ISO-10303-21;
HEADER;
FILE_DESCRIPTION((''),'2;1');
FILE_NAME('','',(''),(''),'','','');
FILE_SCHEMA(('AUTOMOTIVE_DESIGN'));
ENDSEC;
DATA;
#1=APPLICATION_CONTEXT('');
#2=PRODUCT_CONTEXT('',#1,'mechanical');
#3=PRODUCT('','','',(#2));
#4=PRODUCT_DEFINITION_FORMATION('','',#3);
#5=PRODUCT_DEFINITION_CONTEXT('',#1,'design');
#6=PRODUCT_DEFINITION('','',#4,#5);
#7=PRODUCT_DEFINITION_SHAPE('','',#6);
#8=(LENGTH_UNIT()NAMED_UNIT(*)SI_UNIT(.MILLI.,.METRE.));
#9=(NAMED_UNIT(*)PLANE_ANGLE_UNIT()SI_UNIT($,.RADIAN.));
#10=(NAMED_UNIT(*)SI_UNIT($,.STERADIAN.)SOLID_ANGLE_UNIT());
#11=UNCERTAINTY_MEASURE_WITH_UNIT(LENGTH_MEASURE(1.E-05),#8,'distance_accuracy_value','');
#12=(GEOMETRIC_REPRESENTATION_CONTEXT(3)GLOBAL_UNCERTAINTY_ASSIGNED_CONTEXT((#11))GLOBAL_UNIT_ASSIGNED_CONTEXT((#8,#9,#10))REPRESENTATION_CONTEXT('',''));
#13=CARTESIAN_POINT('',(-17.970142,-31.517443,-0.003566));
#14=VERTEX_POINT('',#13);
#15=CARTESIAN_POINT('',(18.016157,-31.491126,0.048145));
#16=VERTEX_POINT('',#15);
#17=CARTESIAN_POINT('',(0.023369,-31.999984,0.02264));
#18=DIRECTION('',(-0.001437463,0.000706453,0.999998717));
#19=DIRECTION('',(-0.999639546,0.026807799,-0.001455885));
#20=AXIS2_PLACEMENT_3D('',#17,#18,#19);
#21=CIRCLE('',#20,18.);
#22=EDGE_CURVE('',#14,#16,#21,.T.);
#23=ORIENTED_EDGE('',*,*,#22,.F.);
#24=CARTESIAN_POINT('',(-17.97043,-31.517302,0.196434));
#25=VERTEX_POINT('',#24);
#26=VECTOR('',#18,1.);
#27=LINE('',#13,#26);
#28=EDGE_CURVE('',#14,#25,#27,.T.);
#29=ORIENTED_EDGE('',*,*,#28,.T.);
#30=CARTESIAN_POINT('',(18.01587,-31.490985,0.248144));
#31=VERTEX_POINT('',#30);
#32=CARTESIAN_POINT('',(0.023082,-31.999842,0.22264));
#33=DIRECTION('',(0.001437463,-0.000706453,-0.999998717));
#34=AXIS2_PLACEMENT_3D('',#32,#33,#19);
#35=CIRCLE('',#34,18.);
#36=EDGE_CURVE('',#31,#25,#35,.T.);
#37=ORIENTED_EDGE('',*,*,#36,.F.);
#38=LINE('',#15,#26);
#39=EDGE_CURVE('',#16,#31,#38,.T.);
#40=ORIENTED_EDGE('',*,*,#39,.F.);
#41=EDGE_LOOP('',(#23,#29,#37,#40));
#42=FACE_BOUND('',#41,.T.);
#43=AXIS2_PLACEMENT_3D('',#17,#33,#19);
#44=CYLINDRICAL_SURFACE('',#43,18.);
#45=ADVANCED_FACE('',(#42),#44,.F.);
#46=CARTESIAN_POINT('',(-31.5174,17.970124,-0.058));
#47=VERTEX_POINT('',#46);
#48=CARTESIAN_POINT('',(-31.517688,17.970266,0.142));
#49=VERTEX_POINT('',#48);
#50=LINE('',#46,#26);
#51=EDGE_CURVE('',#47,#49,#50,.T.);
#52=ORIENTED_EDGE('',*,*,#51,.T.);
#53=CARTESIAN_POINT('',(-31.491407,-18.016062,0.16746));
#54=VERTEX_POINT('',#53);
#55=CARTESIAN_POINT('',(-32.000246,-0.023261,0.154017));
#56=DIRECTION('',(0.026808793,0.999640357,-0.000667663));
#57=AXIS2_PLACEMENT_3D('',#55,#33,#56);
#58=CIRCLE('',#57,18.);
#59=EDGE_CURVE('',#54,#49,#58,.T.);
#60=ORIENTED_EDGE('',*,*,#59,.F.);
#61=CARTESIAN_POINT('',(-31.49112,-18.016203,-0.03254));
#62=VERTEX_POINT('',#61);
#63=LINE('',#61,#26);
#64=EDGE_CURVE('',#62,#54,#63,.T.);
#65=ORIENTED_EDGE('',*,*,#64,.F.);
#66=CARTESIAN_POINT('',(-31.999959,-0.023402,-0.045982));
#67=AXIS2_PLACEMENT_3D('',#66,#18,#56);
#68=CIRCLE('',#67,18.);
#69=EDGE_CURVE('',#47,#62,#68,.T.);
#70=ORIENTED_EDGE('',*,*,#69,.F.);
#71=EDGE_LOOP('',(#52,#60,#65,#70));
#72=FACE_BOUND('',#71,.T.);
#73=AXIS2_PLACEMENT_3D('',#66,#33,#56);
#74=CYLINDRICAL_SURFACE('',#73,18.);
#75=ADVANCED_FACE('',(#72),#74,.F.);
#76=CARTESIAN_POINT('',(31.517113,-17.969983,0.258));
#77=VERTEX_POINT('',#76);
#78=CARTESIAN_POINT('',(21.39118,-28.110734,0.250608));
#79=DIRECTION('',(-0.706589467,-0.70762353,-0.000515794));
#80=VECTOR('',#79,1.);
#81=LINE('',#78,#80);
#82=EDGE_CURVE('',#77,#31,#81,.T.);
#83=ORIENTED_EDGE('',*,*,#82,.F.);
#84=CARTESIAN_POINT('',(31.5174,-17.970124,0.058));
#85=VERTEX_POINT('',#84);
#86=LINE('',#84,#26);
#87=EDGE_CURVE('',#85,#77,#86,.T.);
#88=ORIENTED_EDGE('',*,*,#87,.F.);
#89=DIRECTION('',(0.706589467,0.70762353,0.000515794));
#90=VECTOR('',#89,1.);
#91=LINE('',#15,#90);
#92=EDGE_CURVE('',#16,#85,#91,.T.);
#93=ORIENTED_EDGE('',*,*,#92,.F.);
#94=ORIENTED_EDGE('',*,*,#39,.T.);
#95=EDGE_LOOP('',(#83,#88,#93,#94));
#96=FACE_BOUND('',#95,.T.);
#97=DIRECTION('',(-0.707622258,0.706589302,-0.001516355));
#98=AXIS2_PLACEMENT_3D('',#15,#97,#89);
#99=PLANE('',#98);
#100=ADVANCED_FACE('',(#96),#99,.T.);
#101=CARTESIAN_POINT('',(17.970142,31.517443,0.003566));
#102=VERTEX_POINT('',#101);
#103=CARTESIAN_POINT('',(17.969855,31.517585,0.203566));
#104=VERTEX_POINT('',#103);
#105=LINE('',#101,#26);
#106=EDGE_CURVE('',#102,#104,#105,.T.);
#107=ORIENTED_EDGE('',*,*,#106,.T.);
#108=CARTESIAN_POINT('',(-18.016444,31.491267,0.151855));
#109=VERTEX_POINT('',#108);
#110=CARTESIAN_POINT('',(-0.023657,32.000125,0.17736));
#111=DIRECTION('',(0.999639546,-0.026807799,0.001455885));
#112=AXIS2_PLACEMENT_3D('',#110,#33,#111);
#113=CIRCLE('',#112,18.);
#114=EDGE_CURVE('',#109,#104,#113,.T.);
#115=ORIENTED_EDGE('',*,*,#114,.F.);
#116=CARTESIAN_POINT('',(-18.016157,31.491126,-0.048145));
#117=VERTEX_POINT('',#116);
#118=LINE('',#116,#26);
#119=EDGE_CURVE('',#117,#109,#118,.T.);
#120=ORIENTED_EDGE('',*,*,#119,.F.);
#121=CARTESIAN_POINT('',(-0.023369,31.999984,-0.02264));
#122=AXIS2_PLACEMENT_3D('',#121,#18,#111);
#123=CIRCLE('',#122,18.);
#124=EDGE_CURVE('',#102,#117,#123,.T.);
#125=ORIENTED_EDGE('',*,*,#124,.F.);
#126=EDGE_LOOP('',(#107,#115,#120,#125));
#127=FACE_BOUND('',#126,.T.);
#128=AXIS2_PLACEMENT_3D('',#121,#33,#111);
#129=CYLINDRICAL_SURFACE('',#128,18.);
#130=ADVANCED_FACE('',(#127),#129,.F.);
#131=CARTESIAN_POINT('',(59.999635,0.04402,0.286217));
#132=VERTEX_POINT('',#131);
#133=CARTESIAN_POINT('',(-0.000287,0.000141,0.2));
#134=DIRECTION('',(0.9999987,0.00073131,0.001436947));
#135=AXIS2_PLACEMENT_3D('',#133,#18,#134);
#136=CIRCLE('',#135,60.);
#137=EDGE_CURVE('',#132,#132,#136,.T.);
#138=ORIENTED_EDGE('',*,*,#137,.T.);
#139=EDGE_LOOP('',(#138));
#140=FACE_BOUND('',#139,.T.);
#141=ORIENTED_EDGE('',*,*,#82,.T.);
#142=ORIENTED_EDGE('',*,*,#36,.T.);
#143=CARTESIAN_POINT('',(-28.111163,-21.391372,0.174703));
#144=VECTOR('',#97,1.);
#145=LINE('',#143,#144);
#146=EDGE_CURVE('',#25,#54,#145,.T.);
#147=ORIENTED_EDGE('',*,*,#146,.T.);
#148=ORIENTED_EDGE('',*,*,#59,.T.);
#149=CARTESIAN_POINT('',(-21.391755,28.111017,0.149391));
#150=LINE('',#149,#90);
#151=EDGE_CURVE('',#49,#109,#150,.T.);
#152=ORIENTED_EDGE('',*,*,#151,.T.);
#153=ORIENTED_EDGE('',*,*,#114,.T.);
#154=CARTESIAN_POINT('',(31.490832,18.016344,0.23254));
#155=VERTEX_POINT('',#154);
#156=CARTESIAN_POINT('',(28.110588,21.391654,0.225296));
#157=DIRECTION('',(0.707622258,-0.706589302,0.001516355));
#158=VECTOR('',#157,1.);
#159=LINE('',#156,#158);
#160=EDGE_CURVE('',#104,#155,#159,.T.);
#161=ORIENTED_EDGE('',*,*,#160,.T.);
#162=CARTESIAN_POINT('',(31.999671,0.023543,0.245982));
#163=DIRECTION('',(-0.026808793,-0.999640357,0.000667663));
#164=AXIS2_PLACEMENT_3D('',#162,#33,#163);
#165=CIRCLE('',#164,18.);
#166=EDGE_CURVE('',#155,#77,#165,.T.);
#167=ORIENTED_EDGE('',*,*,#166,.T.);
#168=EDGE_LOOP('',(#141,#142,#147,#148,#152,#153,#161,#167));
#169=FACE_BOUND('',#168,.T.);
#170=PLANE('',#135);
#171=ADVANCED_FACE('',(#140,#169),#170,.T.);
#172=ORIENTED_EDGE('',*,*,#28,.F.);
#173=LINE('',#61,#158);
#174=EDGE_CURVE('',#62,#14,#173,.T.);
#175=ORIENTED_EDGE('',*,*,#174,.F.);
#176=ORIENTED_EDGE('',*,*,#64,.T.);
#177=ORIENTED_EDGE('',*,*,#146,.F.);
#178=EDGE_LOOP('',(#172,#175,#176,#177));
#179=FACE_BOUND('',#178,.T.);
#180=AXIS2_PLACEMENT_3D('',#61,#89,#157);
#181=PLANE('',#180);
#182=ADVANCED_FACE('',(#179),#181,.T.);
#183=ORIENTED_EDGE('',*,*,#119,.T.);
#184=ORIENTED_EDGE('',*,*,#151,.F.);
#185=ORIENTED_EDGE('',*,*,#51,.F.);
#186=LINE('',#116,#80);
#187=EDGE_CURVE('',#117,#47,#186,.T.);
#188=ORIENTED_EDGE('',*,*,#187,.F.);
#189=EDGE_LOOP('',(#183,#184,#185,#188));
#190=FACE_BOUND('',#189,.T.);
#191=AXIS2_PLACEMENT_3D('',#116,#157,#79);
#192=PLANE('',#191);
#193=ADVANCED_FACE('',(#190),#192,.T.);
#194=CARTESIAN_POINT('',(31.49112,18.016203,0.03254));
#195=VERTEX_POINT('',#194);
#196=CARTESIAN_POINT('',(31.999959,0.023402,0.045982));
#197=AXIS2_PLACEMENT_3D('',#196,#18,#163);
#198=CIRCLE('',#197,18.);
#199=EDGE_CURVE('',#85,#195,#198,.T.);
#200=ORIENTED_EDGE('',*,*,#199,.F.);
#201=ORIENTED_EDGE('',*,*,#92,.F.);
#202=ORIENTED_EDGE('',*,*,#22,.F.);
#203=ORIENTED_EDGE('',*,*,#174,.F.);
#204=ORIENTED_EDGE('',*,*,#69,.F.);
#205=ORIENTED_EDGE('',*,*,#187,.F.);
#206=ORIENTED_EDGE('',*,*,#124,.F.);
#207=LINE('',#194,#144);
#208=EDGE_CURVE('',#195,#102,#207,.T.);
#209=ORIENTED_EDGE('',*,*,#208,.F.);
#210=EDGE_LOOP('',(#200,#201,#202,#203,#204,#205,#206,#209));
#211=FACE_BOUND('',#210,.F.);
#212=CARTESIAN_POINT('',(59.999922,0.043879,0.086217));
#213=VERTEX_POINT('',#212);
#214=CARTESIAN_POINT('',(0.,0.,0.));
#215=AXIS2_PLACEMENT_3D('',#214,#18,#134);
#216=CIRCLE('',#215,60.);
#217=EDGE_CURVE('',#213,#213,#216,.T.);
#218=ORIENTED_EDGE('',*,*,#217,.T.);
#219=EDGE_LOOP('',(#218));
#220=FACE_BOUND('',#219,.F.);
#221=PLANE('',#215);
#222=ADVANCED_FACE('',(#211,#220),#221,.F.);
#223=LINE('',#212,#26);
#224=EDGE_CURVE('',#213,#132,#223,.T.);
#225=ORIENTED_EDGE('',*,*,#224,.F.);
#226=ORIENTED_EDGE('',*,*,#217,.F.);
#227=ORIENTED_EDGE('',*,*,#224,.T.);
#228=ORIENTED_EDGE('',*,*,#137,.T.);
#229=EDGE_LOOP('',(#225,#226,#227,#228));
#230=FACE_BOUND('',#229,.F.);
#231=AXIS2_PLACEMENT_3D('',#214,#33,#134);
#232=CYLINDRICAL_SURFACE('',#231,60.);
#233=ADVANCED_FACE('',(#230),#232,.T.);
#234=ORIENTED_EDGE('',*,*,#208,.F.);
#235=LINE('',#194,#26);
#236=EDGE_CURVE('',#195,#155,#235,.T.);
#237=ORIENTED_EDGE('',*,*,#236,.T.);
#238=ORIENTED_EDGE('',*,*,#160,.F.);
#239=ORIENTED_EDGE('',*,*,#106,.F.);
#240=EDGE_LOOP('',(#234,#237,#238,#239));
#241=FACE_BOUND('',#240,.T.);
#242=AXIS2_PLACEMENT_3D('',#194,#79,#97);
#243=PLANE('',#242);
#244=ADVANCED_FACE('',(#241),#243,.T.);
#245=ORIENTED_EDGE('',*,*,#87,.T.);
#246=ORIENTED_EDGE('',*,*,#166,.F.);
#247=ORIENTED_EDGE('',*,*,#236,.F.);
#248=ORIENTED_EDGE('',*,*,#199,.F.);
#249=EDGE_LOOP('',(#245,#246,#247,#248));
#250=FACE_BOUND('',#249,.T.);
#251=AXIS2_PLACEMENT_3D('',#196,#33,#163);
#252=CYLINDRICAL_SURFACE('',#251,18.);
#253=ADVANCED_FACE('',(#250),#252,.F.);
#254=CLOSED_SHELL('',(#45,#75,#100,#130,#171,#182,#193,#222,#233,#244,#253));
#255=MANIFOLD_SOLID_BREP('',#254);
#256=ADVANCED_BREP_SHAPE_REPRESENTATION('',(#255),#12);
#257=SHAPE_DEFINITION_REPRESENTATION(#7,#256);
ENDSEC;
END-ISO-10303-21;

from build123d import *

# Parameters (mm, degrees)
PAD_DEPTH           = 10
CYLINDER_R          = 60
CYLINDER_DEPTH      = 0.2
CUT_ROLL_ANGLE      = -0.040537
CUT_PITCH_ANGLE     = -0.082331
CUT_PLACEMENT_ANGLE = 0.041901


with BuildPart() as pad:
    # Sketch → Pad (new body)
    with BuildSketch(Plane.XY):
        with BuildLine():
            ThreePointArc((31.504301, -17.993173), (50, 0), (31.504301, 17.993173))
            Line((31.504301, 17.993173), (17.993173, 31.504301))
            ThreePointArc((17.993173, 31.504301), (0, 50), (-17.993173, 31.504301))
            Line((-17.993173, 31.504301), (-31.504301, 17.993173))
            ThreePointArc((-31.504301, 17.993173), (-50, 0), (-31.504301, -17.993173))
            Line((-31.504301, -17.993173), (-17.993173, -31.504301))
            ThreePointArc((-17.993173, -31.504301), (0, -50), (17.993173, -31.504301))
            Line((17.993173, -31.504301), (31.504301, -17.993173))
        make_face()
    extrude(amount=PAD_DEPTH)


with BuildPart() as cut:
    # Cylinder → Cylinder (new body)
    with BuildSketch(Plane.XY):
        Circle(CYLINDER_R)
    extrude(amount=CYLINDER_DEPTH)

    # Cut: cut Pad
    add(pad.part, mode=Mode.SUBTRACT)


with BuildPart() as cut_1:
    # Cut roll: moved
    add(cut.part.rotate(Axis((0, 0, 0), (1, 0, 0)), CUT_ROLL_ANGLE))


with BuildPart() as cut_2:
    # Cut pitch: moved
    add(cut_1.part.rotate(Axis((0, 0, 0), (0, 1, 0)), CUT_PITCH_ANGLE))


with BuildPart() as cut_3:
    # Cut placement: moved
    add(cut_2.part.rotate(Axis((0, 0, 0), (0, 0, 1)), CUT_PLACEMENT_ANGLE))


solid = cut_3.part
